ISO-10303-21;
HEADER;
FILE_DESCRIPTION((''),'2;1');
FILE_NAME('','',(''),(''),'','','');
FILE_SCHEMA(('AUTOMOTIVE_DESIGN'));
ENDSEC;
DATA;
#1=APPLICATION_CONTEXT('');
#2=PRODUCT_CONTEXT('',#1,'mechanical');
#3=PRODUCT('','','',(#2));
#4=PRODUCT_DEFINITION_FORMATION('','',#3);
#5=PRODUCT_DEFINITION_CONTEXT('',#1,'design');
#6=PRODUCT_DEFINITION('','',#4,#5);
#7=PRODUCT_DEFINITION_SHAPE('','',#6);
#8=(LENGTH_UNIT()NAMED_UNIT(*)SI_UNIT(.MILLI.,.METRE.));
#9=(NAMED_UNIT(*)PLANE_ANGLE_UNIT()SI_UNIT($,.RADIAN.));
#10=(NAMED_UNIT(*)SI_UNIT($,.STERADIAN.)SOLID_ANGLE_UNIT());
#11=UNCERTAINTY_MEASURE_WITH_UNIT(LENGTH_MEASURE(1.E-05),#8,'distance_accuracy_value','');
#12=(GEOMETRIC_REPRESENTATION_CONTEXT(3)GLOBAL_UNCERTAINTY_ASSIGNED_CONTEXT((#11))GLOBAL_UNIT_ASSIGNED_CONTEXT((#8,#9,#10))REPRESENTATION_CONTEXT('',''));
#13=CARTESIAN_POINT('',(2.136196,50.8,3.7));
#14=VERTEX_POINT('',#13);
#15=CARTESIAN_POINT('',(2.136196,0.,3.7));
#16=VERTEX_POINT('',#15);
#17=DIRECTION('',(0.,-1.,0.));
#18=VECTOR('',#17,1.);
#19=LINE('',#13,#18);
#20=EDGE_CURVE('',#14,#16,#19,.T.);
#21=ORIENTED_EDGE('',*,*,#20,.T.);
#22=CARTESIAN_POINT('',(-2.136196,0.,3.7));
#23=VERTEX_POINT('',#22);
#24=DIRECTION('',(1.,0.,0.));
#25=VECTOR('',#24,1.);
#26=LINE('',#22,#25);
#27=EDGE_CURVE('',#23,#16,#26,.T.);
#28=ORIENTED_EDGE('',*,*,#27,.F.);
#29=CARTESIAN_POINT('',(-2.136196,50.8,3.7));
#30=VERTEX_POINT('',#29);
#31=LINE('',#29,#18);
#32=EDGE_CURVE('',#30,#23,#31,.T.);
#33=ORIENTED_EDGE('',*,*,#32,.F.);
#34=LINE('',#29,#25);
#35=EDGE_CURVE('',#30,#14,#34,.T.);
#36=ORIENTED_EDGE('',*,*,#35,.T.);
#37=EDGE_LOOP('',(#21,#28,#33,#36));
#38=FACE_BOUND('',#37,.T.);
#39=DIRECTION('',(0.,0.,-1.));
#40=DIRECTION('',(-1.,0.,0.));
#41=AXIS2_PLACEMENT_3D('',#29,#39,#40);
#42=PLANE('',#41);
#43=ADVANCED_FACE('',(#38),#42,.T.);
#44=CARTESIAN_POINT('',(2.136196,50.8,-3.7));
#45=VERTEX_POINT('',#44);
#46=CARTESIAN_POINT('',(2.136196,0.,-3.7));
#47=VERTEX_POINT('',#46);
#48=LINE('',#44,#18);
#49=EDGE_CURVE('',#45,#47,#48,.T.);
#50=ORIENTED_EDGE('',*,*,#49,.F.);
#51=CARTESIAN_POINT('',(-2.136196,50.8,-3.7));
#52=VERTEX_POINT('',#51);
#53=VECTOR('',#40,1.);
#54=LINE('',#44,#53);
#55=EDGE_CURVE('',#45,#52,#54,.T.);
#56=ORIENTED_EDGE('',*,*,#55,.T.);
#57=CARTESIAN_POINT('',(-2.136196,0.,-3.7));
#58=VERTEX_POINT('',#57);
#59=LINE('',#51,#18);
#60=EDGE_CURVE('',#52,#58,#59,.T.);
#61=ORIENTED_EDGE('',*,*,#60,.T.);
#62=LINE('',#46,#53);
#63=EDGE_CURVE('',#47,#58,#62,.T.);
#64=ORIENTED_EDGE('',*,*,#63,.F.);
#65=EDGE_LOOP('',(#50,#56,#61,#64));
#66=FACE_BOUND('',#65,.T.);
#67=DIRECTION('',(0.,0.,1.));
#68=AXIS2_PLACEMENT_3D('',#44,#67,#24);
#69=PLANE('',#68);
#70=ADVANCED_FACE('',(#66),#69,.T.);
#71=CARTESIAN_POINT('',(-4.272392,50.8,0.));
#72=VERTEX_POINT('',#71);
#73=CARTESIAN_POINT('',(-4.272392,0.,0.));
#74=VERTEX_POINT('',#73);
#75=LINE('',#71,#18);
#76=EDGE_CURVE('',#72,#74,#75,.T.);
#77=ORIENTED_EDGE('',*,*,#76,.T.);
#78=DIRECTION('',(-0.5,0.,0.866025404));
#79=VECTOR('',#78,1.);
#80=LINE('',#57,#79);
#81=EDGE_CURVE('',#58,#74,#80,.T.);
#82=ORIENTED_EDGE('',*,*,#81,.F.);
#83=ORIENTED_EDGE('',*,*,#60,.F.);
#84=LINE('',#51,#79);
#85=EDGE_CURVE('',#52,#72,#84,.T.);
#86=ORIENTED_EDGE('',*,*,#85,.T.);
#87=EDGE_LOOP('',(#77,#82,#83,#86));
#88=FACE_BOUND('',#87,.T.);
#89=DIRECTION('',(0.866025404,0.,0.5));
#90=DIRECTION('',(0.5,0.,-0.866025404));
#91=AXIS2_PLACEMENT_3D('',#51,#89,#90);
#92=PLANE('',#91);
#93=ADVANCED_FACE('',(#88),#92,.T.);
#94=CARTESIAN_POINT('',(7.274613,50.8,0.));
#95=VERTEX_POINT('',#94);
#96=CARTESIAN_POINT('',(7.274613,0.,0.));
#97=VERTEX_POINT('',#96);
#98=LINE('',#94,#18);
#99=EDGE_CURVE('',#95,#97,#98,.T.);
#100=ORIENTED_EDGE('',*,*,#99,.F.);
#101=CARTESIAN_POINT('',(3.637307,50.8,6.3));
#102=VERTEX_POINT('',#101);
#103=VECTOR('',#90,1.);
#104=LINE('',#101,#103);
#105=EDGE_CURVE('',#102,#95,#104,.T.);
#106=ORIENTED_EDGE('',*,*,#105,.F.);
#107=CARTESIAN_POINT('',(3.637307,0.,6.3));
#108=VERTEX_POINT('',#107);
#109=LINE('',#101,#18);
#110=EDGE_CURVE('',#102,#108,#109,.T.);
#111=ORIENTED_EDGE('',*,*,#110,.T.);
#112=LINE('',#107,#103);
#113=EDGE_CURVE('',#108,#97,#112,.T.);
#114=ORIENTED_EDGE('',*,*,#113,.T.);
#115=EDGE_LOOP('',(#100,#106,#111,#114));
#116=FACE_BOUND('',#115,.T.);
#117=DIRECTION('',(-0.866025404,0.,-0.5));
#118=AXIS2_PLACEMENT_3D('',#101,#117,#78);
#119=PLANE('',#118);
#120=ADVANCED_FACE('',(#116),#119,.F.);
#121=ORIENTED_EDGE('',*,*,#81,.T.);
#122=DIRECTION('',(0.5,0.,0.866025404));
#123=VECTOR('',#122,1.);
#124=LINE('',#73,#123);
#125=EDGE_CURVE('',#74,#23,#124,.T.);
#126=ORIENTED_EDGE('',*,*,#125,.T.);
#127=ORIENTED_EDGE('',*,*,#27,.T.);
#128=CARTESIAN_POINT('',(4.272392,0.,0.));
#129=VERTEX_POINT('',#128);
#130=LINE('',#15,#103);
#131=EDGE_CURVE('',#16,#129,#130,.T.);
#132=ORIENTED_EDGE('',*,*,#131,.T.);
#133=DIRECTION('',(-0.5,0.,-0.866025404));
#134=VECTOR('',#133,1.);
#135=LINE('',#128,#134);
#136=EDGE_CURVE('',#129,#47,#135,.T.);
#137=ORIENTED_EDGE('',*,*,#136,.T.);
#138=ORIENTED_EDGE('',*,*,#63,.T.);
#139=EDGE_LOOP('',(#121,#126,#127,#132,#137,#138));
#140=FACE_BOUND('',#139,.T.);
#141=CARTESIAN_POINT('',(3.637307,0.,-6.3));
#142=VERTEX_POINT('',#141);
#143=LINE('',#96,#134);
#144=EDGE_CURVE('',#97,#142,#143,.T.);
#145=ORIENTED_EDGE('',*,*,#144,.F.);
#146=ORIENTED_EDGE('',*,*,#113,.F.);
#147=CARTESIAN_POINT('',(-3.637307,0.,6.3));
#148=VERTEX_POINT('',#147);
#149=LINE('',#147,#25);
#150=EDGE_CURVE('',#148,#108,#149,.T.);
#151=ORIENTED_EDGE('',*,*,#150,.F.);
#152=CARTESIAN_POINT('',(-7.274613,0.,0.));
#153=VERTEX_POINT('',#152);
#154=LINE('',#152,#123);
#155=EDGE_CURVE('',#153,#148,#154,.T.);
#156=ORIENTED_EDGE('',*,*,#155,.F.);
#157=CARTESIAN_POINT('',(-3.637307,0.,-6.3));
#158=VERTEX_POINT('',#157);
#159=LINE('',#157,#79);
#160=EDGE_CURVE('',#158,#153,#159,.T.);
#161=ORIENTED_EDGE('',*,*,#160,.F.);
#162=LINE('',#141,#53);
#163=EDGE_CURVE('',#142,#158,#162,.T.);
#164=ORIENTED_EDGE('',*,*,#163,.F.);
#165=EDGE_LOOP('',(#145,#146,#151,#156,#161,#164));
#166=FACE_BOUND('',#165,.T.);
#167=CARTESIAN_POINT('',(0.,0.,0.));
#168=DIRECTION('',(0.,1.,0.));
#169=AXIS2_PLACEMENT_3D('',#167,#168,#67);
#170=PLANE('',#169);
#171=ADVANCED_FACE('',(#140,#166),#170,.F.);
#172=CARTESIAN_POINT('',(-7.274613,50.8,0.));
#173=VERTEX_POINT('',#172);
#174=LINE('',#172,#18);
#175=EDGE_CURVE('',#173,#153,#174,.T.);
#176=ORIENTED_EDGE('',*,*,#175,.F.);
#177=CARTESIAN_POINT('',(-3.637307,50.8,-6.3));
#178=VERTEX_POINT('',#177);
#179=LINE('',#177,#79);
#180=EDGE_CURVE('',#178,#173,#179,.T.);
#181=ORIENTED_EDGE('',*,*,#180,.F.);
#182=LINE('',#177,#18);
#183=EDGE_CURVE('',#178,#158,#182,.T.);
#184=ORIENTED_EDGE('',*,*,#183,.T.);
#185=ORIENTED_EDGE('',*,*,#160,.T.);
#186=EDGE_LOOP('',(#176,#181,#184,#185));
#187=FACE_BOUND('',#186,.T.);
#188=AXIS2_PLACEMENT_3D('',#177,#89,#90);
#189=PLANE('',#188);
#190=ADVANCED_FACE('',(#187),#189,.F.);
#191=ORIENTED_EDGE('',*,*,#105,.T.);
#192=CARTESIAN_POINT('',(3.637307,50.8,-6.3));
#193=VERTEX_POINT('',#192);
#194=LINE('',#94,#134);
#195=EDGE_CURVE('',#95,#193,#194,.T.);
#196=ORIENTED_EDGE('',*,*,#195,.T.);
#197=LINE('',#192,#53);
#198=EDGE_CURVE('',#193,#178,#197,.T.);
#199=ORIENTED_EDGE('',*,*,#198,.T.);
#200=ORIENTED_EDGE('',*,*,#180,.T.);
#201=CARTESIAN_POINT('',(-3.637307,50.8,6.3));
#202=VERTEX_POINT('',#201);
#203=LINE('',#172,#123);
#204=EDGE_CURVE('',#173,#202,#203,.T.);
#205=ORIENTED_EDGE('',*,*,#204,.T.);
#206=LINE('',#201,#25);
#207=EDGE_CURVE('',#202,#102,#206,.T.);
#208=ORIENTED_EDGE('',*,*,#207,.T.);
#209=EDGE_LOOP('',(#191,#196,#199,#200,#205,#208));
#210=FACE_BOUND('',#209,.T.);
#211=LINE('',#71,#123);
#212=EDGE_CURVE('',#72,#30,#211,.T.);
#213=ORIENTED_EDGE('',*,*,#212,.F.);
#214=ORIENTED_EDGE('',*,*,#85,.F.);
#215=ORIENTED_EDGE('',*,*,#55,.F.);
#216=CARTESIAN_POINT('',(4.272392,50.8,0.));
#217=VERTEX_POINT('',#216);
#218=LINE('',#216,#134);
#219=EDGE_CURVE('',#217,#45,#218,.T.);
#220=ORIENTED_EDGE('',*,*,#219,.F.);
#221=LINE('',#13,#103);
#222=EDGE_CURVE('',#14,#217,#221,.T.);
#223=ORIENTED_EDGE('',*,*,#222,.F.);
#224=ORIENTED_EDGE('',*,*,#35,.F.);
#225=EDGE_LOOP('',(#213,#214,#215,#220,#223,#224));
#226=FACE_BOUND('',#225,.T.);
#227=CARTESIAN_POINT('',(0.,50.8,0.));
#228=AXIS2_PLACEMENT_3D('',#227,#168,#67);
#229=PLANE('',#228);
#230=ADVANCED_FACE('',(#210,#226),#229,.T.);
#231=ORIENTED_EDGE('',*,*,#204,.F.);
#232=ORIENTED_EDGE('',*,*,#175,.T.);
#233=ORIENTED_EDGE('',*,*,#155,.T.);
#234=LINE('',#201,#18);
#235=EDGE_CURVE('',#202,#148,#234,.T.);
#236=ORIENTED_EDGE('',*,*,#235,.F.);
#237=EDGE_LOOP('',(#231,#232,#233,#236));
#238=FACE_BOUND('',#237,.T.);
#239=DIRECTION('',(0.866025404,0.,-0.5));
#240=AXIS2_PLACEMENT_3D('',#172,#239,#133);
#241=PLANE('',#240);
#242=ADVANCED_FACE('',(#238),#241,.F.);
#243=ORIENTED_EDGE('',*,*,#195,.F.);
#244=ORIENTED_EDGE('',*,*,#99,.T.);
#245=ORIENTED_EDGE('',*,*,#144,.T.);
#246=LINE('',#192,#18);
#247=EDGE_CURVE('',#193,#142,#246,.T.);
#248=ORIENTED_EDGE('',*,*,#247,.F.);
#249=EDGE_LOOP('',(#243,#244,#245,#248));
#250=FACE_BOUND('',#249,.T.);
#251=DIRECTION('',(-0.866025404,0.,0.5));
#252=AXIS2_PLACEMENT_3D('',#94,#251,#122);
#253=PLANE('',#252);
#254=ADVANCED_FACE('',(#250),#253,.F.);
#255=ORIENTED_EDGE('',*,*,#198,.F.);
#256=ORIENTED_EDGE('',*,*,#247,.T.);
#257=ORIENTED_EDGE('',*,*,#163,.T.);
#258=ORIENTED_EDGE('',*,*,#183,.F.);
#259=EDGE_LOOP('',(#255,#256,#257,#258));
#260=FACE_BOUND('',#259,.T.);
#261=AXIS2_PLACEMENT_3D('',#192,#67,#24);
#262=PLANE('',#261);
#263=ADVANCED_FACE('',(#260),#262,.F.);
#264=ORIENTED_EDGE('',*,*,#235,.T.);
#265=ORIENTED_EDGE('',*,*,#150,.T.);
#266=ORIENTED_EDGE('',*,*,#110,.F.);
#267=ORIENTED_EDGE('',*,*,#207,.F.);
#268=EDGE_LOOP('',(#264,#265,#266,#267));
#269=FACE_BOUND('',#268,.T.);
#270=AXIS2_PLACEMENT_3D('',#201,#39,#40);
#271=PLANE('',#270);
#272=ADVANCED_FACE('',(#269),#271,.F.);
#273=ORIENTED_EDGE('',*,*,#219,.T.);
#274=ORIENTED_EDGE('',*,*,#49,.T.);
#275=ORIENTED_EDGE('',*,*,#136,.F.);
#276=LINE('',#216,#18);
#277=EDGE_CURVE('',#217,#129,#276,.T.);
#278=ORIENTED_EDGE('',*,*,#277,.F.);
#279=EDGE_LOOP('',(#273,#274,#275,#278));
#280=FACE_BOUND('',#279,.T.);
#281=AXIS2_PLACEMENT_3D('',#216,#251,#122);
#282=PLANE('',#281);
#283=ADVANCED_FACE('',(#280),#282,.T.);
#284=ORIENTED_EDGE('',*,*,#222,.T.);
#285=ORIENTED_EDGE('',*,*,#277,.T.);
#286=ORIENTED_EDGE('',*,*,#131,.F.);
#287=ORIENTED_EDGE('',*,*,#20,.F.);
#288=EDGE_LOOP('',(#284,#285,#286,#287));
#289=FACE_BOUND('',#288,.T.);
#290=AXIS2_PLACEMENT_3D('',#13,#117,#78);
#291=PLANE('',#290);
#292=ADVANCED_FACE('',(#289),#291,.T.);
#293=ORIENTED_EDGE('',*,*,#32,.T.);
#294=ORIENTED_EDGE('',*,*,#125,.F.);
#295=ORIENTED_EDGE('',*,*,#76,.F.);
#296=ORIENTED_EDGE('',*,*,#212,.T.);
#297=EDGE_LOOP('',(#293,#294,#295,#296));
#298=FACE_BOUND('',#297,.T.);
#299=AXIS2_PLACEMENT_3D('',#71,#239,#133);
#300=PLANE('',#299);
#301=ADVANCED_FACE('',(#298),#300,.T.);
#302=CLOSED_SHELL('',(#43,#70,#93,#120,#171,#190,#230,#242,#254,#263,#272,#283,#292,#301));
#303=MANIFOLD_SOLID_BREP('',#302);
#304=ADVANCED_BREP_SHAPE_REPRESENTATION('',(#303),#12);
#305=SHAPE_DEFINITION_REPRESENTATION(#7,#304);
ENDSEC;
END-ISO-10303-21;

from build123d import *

# Parameters (mm, degrees)
BOSS_EXTRUDE1_DEPTH = 50.8


with BuildPart() as part:
    # Sketch1 → Boss-Extrude1 (new body)
    with BuildSketch(Plane(origin=(0, 0, 0), x_dir=(1, 0, 0), z_dir=(0, 1, 0))):
        Polygon((-3.637306696, 6.3), (-7.274613392, 0), (-3.637306696, -6.3), (3.637306696, -6.3), (7.274613392, 0), (3.637306696, 6.3), align=None)
        Polygon((2.136195996, 3.7), (-2.136195996, 3.7), (-4.272391992, 0), (-2.136195996, -3.7), (2.136195996, -3.7), (4.272391992, 0), align=None, mode=Mode.SUBTRACT)
    extrude(amount=BOSS_EXTRUDE1_DEPTH)


solid = part.part
